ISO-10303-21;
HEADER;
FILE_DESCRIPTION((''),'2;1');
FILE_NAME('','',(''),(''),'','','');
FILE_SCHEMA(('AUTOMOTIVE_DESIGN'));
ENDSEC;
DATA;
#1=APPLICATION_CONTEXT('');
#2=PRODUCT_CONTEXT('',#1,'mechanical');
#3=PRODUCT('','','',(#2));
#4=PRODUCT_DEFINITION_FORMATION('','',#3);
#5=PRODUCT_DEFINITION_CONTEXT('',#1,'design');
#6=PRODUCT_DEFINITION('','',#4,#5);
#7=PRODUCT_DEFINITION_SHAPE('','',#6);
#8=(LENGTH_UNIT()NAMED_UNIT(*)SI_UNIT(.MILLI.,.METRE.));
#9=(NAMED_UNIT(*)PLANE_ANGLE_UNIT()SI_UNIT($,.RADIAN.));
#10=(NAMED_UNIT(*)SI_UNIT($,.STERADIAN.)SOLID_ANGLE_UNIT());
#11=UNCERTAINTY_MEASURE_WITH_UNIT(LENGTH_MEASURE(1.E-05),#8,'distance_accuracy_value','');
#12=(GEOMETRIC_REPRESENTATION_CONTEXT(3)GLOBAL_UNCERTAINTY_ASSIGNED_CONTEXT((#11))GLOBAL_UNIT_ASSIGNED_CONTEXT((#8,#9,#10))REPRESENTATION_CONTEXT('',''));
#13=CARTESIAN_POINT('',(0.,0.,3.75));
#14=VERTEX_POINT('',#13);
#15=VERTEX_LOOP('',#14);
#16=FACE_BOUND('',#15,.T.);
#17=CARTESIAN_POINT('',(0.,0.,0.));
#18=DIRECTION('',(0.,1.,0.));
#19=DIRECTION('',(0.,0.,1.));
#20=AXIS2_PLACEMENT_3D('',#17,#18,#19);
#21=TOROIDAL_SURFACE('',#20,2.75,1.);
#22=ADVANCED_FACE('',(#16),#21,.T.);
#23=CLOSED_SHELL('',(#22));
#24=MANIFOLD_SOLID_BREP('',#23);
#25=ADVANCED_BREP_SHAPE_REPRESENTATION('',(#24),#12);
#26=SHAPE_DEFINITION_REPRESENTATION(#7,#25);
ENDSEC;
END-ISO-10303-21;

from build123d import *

# Parameters (mm, degrees)
SKETCH1_R = 1


with BuildPart() as part:
    # Sketch1 → Revolve1 (revolve)
    with BuildSketch(Plane(origin=(0, 0, 0), x_dir=(0, 0, -1), z_dir=(1, 0, 0))):
        with Locations((2.75, 0)):
            Circle(SKETCH1_R)
    revolve(axis=Axis((0, 0.610594796, 0), (0, -1, 0)))


solid = part.part
